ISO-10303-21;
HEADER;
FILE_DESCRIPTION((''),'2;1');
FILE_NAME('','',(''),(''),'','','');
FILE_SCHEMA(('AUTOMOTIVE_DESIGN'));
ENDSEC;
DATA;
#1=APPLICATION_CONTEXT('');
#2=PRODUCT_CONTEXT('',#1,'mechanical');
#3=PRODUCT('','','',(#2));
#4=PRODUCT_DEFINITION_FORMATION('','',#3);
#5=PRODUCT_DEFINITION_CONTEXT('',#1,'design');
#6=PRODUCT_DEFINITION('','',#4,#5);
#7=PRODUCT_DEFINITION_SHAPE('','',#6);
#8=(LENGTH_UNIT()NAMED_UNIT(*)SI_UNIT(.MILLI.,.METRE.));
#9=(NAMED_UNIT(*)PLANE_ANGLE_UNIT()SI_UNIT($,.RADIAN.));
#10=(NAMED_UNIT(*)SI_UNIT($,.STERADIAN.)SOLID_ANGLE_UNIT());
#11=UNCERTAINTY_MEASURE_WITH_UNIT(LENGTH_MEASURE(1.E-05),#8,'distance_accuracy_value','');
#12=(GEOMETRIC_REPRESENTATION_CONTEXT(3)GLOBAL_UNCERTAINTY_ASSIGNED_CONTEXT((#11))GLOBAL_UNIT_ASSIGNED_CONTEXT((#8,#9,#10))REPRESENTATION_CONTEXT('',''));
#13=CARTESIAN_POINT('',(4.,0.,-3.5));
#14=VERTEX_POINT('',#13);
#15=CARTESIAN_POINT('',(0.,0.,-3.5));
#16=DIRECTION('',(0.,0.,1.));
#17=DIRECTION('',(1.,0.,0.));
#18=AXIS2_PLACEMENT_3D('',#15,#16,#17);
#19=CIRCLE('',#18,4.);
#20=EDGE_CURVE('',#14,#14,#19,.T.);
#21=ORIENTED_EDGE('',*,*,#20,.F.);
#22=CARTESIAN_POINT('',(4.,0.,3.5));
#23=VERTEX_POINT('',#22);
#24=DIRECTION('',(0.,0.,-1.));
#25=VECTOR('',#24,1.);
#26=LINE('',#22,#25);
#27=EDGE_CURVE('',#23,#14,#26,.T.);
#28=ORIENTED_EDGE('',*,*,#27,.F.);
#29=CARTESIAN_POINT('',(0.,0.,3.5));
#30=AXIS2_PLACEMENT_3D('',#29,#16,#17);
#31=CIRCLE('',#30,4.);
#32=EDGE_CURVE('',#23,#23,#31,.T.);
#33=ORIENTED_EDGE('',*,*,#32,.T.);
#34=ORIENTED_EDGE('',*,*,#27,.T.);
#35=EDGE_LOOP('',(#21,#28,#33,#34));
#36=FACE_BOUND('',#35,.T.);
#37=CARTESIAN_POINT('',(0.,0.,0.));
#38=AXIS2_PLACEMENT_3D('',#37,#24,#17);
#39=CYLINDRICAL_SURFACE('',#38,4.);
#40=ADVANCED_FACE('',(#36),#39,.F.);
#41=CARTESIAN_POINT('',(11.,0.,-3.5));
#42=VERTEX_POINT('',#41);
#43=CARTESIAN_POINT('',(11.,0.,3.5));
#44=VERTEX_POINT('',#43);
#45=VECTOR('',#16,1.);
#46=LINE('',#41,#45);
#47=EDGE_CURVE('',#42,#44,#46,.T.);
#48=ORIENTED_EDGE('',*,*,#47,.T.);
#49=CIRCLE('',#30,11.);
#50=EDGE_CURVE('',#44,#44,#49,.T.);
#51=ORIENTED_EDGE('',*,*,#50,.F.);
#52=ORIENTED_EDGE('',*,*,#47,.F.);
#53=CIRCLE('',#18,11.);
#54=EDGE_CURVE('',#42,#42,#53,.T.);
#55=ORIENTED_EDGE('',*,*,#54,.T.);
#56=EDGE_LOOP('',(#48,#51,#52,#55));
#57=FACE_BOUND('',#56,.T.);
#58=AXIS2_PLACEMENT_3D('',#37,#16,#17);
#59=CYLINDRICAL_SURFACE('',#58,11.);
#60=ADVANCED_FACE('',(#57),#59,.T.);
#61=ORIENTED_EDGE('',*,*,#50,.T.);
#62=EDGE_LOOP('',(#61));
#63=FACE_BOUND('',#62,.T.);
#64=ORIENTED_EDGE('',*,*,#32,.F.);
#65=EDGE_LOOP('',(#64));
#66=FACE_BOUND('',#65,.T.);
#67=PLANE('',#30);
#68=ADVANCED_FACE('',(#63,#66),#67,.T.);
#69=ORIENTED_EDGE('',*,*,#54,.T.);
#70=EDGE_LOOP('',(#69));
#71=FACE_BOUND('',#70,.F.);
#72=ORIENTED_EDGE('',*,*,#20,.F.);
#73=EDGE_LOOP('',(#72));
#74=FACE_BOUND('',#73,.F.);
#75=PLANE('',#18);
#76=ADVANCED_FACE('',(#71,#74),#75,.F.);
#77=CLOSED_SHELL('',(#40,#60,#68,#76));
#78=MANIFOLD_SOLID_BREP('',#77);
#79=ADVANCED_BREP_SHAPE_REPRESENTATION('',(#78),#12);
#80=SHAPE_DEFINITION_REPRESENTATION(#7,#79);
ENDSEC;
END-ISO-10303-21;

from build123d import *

# Parameters (mm, degrees)
SKETCH2_R           = 11
SKETCH2_R_2         = 4
BOSS_EXTRUDE1_DEPTH = 3.5


with BuildPart() as part:
    # Sketch2 → Boss-Extrude1 (new body, symmetric)
    with BuildSketch(Plane.XY):
        Circle(SKETCH2_R)
        Circle(SKETCH2_R_2, mode=Mode.SUBTRACT)
    extrude(amount=BOSS_EXTRUDE1_DEPTH, both=True)


solid = part.part
